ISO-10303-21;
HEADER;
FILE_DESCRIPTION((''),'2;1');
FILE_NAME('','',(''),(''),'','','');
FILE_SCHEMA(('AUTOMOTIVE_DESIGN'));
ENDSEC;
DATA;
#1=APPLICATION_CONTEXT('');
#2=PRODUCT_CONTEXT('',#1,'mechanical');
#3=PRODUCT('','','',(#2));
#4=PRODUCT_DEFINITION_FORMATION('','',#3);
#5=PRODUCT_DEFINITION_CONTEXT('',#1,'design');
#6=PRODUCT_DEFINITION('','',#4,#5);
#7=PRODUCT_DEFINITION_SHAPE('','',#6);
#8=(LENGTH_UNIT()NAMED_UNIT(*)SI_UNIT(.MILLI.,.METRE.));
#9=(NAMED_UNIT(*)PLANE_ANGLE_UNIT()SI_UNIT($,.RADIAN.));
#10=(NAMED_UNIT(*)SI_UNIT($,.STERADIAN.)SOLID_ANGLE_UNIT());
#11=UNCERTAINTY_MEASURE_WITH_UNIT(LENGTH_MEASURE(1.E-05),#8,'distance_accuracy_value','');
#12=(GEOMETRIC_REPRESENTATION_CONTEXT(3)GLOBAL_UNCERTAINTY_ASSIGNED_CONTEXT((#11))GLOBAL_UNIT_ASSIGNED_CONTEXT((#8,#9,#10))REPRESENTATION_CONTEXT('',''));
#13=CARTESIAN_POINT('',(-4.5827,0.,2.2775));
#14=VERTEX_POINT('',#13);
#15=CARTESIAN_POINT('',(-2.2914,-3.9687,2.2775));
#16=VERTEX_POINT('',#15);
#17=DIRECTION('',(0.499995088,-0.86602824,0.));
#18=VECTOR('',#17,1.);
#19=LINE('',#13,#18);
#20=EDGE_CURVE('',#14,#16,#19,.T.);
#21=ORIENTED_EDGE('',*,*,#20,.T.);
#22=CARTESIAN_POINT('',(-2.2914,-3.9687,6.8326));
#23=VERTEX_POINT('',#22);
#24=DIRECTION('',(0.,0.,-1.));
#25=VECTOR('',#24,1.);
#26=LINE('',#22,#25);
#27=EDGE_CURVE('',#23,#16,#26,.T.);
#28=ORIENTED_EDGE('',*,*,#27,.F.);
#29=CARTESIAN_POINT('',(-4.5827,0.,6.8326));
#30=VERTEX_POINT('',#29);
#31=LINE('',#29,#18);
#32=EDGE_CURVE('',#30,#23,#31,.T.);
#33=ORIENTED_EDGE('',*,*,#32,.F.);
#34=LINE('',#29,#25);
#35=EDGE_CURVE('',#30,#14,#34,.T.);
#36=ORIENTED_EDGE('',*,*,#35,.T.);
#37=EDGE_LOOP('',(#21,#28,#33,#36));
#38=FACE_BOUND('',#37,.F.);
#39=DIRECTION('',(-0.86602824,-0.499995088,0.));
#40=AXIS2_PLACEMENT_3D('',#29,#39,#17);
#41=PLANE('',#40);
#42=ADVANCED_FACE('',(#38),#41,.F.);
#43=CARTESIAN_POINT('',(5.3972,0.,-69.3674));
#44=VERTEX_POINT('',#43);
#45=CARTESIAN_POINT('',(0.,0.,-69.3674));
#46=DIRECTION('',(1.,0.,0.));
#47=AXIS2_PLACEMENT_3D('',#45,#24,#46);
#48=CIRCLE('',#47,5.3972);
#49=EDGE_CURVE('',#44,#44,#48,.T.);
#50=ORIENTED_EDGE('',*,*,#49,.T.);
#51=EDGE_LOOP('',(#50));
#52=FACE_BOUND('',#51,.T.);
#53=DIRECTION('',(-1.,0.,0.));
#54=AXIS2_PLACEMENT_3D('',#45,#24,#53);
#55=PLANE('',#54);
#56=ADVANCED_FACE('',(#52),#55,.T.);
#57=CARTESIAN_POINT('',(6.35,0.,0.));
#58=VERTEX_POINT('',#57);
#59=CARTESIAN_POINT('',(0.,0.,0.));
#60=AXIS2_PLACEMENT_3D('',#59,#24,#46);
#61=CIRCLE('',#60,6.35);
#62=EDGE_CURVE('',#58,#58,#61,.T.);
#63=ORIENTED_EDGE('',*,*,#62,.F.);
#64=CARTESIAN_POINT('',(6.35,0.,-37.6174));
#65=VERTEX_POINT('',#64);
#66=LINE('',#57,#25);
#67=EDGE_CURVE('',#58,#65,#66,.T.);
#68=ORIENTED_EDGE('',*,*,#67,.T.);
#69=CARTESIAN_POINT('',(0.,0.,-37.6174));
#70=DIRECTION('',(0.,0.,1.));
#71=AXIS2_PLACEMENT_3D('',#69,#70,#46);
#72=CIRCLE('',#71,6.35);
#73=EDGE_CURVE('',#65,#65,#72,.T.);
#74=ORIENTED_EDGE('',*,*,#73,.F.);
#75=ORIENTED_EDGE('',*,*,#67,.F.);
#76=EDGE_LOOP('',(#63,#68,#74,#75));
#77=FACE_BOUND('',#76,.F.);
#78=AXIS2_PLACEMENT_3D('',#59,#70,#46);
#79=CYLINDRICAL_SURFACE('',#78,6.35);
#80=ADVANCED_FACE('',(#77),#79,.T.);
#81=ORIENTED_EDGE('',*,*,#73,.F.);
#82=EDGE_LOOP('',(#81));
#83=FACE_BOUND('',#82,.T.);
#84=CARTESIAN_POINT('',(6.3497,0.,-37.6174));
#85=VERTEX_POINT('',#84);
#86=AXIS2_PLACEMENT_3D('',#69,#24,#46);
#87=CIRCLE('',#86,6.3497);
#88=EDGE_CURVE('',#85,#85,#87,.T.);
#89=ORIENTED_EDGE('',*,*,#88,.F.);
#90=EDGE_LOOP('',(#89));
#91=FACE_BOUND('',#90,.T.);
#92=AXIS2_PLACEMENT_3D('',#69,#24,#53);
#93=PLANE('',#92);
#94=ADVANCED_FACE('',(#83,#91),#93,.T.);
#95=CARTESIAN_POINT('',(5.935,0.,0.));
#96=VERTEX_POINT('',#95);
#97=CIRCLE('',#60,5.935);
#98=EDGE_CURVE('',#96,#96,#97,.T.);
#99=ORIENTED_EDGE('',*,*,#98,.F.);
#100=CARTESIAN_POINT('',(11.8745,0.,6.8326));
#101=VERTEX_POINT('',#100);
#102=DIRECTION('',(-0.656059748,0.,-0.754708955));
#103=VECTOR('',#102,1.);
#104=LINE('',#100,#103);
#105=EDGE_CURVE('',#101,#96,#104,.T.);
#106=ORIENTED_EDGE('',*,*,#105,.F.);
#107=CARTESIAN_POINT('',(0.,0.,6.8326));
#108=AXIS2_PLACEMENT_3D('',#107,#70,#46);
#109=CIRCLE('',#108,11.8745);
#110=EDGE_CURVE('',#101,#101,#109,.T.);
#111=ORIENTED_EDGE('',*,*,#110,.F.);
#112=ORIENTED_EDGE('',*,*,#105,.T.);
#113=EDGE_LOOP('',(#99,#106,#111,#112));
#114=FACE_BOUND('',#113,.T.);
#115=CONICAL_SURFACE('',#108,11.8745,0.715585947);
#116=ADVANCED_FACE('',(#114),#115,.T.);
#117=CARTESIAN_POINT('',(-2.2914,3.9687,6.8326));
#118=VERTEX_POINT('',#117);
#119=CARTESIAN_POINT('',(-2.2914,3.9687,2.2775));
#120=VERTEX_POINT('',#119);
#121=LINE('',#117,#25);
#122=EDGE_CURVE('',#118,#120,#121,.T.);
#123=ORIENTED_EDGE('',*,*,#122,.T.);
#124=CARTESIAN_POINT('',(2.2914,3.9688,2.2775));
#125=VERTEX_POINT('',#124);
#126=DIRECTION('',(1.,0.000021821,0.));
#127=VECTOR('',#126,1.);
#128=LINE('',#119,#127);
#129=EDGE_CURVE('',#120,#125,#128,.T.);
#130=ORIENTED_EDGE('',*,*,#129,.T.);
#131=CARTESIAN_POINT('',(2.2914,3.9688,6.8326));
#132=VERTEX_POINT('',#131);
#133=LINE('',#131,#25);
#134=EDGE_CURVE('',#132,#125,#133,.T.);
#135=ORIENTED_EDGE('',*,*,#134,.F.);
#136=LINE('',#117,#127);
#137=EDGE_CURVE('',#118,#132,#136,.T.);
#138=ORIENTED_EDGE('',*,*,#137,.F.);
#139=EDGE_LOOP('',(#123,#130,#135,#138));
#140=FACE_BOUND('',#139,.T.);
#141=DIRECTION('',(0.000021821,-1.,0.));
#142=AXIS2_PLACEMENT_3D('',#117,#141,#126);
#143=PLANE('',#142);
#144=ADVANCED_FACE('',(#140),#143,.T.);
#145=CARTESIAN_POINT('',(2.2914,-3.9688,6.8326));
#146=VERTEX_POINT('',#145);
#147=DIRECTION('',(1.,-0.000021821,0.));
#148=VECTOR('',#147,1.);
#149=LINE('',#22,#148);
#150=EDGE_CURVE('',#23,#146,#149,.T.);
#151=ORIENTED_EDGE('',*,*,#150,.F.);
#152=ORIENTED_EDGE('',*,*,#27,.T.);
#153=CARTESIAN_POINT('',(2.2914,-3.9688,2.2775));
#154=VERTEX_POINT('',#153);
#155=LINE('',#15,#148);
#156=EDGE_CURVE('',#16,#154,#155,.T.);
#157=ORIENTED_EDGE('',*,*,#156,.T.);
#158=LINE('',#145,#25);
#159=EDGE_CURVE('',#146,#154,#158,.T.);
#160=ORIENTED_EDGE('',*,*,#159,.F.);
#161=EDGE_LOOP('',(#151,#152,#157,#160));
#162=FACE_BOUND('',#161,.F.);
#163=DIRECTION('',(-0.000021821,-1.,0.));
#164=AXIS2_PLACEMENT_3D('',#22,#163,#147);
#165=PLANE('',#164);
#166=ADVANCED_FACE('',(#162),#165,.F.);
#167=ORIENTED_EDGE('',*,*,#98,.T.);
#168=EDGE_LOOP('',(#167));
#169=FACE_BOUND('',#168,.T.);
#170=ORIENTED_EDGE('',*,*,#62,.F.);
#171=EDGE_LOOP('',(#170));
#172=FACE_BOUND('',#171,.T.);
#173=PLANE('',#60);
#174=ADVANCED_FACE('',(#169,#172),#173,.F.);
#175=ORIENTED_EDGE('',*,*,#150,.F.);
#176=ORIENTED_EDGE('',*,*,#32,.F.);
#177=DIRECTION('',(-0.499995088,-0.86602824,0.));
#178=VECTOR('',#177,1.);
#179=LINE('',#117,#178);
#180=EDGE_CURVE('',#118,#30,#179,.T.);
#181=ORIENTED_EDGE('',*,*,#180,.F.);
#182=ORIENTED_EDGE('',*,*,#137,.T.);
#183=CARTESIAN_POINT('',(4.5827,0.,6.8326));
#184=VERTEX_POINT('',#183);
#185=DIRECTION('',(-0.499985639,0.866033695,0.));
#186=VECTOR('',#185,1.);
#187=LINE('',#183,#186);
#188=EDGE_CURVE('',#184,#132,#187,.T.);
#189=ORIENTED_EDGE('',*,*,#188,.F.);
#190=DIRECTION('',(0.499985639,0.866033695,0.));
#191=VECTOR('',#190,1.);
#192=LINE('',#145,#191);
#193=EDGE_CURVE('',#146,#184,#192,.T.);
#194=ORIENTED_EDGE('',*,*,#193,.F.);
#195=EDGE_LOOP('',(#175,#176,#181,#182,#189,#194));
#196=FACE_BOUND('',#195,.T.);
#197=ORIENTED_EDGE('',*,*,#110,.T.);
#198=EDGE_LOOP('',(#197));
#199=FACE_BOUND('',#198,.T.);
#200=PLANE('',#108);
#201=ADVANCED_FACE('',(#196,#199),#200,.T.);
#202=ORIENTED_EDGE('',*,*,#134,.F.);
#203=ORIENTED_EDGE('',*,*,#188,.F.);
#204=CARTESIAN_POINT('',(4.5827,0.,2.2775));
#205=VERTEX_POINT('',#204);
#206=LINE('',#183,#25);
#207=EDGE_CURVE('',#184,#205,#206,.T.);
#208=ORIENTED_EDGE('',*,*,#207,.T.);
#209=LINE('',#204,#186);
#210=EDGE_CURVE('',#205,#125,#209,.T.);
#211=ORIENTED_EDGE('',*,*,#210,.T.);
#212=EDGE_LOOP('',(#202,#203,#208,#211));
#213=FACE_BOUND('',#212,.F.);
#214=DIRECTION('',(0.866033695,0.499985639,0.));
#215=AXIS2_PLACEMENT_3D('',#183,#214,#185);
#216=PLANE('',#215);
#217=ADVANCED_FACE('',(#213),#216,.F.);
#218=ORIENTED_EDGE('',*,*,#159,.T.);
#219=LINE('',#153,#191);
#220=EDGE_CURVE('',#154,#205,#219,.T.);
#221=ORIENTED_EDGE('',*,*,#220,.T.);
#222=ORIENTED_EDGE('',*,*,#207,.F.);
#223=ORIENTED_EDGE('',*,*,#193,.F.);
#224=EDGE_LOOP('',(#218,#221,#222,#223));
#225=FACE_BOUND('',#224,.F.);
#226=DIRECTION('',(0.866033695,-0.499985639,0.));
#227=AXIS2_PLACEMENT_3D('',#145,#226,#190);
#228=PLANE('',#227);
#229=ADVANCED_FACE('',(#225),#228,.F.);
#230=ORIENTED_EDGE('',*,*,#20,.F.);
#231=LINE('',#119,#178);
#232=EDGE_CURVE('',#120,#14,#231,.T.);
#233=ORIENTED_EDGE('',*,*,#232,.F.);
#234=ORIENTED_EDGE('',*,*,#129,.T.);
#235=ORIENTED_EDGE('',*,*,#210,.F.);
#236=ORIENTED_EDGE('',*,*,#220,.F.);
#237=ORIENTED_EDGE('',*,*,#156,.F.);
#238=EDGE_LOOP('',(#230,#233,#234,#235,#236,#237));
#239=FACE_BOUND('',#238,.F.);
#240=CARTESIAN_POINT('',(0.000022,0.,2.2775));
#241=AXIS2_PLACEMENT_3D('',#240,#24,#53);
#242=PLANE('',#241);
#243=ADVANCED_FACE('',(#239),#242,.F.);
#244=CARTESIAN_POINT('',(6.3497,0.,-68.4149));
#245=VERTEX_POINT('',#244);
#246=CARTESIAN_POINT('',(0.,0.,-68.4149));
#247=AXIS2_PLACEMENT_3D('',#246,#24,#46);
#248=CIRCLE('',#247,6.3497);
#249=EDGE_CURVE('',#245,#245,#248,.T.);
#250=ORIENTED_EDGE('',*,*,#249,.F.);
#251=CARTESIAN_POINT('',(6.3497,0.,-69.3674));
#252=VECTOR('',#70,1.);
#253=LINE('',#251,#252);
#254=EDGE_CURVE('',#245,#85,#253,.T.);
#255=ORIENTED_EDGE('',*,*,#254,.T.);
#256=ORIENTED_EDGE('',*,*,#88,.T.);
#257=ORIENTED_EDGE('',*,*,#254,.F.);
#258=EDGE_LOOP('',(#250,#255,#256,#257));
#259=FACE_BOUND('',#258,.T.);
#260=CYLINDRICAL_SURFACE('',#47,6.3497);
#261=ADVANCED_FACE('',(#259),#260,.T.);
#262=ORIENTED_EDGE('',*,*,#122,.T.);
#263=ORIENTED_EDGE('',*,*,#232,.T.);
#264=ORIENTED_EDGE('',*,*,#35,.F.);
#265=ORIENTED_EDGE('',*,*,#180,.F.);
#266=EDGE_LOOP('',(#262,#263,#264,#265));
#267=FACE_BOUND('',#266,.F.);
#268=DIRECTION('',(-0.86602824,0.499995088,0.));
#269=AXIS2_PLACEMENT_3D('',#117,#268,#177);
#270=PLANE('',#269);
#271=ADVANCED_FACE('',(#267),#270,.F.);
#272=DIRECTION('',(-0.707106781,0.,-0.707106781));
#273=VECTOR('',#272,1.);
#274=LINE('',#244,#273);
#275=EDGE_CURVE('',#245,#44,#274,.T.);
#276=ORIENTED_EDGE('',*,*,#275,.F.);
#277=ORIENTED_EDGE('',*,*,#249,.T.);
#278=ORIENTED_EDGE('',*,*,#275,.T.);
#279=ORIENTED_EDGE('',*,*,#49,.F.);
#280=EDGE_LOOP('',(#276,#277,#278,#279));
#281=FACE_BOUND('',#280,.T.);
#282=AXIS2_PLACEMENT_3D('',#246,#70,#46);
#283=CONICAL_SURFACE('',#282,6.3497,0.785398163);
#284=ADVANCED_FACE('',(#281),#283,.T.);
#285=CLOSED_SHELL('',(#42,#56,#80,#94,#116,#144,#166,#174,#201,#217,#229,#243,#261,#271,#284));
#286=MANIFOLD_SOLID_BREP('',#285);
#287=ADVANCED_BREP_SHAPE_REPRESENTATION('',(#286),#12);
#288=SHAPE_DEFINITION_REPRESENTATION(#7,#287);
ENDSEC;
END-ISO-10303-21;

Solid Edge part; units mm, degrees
sketch "Sketch1" plane through (0, 0, 0) normal (0, 0, 1) x (1, 0, 0)
  circle A0 centre (0, 0) radius 11.8745
  dimension "D1" = 23.749
extrude "Protrusion1" add sketch "Sketch1" along normal blind 6.8326
sketch "Sketch2" plane through (0, 0, 0) normal (0, 0, -1) x (1, 0, 0)
  circle A0 centre (0, 0) radius 6.35
extrude "Protrusion2" add sketch "Sketch2" along normal blind 69.3674
sketch "Sketch3" plane through (0, 0, -69.3674) normal (0, 0, -1) x (1, 0, 0)
  circle A0 centre (0, 0) radius 6.3497
extrude "Cutout1" cut sketch "Sketch3" against normal blind 31.75 flip side to cut
chamfer "Chamfer_1" distance 0.9525 angle 45 1 edges at (-6.3497, 0, -69.3674)
sketch "Sketch4" plane through (0, 0, 6.8326) normal (0, 0, 1) x (1, 0, 0)
  line L0 (-2.2914, 3.9687) -> (2.2914, 3.9688)
  line L1 (4.5827, 0) -> (2.2914, 3.9688)
  line L2 (2.2914, -3.9688) -> (4.5827, 0)
  line L3 (-2.2914, -3.9687) -> (2.2914, -3.9688)
  line L4 (-4.5827, 0) -> (-2.2914, -3.9688)
  line L5 (-2.2914, 3.9688) -> (-4.5827, 0)
  dimension "D1" = 7.9375
extrude "Cutout2" cut sketch "Sketch4" against normal blind 4.5551
sketch "Sketch5" plane through (0, 0, 0) normal (0, -1, 0) x (1, 0, 0)
  line L0 (11.8745, 6.8326) -> (5.935, 0)
  line L1 (5.935, 0) -> (11.8745, 0)
  line L2 (11.8745, 0) -> (11.8745, 6.8326)
revolve "RevolvedCutout1" cut sketch "Sketch5" angle 360 about axis through (0, 0, 14.0017) along (0, 0, -1)
properties part number "24107049"
